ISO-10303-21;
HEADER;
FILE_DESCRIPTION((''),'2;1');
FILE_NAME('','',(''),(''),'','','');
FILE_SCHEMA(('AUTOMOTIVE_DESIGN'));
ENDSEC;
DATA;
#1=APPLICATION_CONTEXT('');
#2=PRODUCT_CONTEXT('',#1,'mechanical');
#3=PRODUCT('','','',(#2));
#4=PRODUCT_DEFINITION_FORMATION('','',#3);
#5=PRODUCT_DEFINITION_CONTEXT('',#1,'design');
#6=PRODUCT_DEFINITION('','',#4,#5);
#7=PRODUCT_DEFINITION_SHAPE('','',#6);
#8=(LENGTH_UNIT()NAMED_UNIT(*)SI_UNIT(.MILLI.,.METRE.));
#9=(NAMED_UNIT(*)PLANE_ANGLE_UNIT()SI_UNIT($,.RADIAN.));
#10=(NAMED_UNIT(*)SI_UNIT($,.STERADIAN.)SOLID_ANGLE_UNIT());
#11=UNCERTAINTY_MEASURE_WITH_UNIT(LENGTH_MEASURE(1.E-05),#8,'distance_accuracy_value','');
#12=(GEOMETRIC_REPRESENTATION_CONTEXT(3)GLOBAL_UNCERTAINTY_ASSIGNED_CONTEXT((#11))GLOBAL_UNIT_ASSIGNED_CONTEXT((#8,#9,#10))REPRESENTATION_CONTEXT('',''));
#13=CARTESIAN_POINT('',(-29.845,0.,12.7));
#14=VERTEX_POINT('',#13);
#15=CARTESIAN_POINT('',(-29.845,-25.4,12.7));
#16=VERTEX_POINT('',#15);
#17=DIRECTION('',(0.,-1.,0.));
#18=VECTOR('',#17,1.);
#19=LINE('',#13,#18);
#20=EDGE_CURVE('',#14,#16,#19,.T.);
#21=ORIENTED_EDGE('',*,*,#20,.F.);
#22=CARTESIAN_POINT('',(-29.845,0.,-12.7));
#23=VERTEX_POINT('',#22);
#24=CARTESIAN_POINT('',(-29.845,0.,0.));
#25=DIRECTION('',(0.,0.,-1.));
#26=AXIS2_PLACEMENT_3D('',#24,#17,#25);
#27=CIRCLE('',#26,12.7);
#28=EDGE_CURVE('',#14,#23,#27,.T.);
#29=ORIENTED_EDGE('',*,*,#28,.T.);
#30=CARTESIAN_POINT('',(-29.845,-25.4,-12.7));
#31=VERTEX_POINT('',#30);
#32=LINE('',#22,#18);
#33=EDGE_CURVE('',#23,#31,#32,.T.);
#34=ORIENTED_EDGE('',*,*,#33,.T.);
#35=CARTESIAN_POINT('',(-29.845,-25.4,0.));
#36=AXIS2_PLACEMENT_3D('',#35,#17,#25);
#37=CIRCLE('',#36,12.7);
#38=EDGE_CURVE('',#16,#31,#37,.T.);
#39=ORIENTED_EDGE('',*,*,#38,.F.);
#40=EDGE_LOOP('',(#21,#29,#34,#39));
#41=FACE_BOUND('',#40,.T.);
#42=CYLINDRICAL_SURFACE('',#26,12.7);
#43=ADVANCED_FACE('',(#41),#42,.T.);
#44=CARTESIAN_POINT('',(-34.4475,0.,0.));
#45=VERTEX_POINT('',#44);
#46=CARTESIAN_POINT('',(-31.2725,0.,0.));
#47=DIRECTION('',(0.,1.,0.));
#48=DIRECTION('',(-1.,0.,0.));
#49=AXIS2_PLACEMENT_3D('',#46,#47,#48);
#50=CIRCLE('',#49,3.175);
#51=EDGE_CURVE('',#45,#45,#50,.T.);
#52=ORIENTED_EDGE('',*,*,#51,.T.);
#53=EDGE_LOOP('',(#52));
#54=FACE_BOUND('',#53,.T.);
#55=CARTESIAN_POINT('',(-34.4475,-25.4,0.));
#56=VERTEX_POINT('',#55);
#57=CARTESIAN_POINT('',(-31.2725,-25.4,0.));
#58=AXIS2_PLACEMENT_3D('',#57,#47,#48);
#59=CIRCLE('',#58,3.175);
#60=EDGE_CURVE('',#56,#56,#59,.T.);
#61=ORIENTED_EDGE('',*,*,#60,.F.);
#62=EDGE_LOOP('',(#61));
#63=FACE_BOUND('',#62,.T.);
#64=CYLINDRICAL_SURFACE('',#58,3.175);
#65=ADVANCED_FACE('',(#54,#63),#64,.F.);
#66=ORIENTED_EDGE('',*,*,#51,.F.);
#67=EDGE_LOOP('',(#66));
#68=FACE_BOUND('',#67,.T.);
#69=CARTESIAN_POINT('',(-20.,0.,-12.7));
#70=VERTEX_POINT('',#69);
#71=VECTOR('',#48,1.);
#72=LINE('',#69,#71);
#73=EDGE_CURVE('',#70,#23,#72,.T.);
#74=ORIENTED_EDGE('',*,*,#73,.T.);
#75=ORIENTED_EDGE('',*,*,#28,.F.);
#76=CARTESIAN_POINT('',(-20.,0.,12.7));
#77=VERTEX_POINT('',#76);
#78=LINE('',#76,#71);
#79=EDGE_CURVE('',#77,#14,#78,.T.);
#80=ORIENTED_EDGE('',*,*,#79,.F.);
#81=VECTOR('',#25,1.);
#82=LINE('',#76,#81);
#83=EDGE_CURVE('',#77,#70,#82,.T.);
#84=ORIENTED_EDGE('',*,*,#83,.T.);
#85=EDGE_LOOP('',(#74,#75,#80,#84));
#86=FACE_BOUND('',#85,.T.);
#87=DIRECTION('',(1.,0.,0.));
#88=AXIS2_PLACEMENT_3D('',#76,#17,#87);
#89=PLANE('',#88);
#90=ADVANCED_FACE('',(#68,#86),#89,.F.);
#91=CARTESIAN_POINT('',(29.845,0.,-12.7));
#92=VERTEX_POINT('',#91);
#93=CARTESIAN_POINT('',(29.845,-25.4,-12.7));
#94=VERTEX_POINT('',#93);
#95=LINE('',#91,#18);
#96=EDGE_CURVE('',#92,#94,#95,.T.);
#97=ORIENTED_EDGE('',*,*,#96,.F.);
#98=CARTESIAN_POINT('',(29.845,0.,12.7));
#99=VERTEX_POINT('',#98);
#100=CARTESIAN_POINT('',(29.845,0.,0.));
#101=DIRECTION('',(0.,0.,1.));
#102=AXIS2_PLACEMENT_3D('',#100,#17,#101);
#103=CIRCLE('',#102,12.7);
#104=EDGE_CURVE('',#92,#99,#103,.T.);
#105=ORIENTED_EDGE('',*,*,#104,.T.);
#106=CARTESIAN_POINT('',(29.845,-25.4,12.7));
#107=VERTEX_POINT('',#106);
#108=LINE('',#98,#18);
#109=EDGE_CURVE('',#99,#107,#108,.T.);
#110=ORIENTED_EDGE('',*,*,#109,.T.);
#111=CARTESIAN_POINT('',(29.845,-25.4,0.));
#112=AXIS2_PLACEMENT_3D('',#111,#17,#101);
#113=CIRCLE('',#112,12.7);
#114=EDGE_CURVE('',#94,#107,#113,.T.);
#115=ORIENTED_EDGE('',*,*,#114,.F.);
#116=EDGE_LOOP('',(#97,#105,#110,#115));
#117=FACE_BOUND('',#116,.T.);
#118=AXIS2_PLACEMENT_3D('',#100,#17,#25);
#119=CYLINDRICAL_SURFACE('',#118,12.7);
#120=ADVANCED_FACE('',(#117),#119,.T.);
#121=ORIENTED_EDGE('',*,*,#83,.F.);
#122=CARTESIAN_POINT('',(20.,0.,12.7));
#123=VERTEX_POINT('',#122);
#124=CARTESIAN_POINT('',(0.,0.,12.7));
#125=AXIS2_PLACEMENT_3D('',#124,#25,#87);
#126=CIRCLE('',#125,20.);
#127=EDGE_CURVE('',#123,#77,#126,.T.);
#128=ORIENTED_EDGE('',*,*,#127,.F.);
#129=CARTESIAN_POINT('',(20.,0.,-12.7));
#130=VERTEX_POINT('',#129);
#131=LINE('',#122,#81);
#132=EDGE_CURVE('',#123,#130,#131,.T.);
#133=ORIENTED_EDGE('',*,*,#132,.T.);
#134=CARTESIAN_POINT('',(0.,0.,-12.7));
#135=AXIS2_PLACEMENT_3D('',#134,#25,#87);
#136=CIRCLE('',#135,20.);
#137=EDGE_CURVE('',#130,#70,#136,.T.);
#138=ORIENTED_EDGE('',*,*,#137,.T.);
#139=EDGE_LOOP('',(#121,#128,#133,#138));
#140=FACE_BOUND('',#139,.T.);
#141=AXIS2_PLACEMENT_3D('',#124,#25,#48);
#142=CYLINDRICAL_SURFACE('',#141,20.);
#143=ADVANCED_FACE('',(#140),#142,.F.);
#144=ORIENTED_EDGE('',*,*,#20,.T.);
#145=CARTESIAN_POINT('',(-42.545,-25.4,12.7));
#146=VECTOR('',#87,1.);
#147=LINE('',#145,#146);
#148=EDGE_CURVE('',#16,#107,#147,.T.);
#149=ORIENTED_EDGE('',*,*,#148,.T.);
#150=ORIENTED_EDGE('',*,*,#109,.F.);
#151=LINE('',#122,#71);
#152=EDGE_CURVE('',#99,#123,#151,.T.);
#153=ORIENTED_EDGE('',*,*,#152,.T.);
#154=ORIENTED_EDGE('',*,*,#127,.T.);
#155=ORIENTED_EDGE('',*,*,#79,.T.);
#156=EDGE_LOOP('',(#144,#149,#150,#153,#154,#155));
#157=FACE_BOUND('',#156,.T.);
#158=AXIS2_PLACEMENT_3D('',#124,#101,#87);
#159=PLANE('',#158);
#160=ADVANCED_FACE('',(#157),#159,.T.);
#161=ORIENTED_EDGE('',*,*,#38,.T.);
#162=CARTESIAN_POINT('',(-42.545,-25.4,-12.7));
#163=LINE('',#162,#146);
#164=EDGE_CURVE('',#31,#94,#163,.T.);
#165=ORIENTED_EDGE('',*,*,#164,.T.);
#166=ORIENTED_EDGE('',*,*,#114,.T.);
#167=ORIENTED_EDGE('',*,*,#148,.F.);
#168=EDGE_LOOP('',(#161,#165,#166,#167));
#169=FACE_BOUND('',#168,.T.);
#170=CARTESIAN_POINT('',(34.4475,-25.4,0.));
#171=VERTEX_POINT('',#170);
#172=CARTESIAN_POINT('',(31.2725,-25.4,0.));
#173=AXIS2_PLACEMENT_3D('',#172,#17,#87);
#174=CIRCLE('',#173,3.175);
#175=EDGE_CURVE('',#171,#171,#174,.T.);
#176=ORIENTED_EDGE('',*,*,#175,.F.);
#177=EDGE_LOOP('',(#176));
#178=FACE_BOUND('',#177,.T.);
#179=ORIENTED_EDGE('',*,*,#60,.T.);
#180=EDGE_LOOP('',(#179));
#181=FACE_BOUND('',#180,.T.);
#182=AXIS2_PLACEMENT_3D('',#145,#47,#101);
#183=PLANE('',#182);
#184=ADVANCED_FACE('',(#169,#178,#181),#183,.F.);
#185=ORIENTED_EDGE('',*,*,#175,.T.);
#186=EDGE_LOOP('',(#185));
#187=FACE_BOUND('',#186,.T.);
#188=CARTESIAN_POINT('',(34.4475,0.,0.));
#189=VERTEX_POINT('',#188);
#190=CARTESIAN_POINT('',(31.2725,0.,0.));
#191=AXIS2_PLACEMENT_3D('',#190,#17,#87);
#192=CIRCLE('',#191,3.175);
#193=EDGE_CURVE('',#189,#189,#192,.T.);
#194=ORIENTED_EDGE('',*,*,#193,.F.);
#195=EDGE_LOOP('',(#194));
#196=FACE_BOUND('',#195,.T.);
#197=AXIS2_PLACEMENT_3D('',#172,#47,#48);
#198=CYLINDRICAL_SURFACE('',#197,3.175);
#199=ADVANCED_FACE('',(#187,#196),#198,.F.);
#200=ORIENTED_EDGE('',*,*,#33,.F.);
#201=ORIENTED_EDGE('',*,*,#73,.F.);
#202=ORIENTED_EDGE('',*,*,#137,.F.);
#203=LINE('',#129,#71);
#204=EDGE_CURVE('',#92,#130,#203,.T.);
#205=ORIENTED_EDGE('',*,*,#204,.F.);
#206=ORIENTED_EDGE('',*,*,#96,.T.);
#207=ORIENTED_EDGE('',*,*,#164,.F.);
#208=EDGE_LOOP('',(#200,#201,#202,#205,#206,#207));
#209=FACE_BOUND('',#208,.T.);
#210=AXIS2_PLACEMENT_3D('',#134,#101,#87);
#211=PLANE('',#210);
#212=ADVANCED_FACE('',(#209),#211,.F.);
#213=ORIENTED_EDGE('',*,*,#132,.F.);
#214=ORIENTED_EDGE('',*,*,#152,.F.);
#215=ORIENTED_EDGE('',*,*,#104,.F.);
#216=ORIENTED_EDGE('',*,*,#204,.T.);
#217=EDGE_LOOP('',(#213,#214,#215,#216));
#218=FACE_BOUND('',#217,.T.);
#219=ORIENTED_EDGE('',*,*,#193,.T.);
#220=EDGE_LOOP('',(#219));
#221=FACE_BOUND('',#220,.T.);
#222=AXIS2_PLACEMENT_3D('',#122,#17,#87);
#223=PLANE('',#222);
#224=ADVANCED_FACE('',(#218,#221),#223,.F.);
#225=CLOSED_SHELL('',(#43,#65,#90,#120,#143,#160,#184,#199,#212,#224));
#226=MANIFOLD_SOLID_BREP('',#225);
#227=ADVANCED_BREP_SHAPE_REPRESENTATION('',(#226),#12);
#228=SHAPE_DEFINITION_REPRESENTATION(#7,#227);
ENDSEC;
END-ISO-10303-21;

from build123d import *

# Parameters (mm, degrees)
BOSS_EXTRUDE1_DEPTH = 12.7
SKETCH2_R           = 3.175
CUT_EXTRUDE1_DEPTH  = 26.4
SKETCH3_OUTSIDE_W   = 105.562
SKETCH3_OUTSIDE_H   = 45.872
CUT_EXTRUDE4_DEPTH  = 25.4


with BuildPart() as part:
    # Sketch1 → Boss-Extrude1 (new body, symmetric)
    with BuildSketch(Plane.XY):
        with BuildLine():
            Line((-20, 0), (-42.545, 0))
            Line((-42.545, 0), (-42.545, -25.4))
            Line((-42.545, -25.4), (42.545, -25.4))
            Line((42.545, -25.4), (42.545, 0))
            Line((42.545, 0), (20, 0))
            ThreePointArc((20, 0), (0, -20), (-20, 0))
        make_face()
    extrude(amount=BOSS_EXTRUDE1_DEPTH, both=True)

    # Sketch2 → Cut-Extrude1 (cut, through all)
    with BuildSketch(Plane(origin=(0, 0, 0), x_dir=(1, 0, 0), z_dir=(0, 1, 0))):
        with Locations((-31.2725, 0)):
            Circle(SKETCH2_R)
    cut_extrude1 = extrude(amount=-CUT_EXTRUDE1_DEPTH, mode=Mode.SUBTRACT)

    # Mirror1: Cut-Extrude1 across plane
    add(cut_extrude1.mirror(Plane(origin=(0, 0, 0), x_dir=(0, 0, 1), z_dir=(1, 0, 0))), mode=Mode.SUBTRACT)

    # Sketch3 outside → Cut-Extrude4 (cut)
    with BuildSketch(Plane.XZ.offset(25.4)):
        Rectangle(SKETCH3_OUTSIDE_W, SKETCH3_OUTSIDE_H)
        with BuildLine():
            Line((-29.845, 12.7), (29.845, 12.7))
            ThreePointArc((29.845, 12.7), (42.545, 0), (29.845, -12.7))
            Line((29.845, -12.7), (-29.845, -12.7))
            ThreePointArc((-29.845, -12.7), (-42.545, 0), (-29.845, 12.7))
        make_face(mode=Mode.SUBTRACT)
    extrude(amount=-CUT_EXTRUDE4_DEPTH, mode=Mode.SUBTRACT)


solid = part.part
